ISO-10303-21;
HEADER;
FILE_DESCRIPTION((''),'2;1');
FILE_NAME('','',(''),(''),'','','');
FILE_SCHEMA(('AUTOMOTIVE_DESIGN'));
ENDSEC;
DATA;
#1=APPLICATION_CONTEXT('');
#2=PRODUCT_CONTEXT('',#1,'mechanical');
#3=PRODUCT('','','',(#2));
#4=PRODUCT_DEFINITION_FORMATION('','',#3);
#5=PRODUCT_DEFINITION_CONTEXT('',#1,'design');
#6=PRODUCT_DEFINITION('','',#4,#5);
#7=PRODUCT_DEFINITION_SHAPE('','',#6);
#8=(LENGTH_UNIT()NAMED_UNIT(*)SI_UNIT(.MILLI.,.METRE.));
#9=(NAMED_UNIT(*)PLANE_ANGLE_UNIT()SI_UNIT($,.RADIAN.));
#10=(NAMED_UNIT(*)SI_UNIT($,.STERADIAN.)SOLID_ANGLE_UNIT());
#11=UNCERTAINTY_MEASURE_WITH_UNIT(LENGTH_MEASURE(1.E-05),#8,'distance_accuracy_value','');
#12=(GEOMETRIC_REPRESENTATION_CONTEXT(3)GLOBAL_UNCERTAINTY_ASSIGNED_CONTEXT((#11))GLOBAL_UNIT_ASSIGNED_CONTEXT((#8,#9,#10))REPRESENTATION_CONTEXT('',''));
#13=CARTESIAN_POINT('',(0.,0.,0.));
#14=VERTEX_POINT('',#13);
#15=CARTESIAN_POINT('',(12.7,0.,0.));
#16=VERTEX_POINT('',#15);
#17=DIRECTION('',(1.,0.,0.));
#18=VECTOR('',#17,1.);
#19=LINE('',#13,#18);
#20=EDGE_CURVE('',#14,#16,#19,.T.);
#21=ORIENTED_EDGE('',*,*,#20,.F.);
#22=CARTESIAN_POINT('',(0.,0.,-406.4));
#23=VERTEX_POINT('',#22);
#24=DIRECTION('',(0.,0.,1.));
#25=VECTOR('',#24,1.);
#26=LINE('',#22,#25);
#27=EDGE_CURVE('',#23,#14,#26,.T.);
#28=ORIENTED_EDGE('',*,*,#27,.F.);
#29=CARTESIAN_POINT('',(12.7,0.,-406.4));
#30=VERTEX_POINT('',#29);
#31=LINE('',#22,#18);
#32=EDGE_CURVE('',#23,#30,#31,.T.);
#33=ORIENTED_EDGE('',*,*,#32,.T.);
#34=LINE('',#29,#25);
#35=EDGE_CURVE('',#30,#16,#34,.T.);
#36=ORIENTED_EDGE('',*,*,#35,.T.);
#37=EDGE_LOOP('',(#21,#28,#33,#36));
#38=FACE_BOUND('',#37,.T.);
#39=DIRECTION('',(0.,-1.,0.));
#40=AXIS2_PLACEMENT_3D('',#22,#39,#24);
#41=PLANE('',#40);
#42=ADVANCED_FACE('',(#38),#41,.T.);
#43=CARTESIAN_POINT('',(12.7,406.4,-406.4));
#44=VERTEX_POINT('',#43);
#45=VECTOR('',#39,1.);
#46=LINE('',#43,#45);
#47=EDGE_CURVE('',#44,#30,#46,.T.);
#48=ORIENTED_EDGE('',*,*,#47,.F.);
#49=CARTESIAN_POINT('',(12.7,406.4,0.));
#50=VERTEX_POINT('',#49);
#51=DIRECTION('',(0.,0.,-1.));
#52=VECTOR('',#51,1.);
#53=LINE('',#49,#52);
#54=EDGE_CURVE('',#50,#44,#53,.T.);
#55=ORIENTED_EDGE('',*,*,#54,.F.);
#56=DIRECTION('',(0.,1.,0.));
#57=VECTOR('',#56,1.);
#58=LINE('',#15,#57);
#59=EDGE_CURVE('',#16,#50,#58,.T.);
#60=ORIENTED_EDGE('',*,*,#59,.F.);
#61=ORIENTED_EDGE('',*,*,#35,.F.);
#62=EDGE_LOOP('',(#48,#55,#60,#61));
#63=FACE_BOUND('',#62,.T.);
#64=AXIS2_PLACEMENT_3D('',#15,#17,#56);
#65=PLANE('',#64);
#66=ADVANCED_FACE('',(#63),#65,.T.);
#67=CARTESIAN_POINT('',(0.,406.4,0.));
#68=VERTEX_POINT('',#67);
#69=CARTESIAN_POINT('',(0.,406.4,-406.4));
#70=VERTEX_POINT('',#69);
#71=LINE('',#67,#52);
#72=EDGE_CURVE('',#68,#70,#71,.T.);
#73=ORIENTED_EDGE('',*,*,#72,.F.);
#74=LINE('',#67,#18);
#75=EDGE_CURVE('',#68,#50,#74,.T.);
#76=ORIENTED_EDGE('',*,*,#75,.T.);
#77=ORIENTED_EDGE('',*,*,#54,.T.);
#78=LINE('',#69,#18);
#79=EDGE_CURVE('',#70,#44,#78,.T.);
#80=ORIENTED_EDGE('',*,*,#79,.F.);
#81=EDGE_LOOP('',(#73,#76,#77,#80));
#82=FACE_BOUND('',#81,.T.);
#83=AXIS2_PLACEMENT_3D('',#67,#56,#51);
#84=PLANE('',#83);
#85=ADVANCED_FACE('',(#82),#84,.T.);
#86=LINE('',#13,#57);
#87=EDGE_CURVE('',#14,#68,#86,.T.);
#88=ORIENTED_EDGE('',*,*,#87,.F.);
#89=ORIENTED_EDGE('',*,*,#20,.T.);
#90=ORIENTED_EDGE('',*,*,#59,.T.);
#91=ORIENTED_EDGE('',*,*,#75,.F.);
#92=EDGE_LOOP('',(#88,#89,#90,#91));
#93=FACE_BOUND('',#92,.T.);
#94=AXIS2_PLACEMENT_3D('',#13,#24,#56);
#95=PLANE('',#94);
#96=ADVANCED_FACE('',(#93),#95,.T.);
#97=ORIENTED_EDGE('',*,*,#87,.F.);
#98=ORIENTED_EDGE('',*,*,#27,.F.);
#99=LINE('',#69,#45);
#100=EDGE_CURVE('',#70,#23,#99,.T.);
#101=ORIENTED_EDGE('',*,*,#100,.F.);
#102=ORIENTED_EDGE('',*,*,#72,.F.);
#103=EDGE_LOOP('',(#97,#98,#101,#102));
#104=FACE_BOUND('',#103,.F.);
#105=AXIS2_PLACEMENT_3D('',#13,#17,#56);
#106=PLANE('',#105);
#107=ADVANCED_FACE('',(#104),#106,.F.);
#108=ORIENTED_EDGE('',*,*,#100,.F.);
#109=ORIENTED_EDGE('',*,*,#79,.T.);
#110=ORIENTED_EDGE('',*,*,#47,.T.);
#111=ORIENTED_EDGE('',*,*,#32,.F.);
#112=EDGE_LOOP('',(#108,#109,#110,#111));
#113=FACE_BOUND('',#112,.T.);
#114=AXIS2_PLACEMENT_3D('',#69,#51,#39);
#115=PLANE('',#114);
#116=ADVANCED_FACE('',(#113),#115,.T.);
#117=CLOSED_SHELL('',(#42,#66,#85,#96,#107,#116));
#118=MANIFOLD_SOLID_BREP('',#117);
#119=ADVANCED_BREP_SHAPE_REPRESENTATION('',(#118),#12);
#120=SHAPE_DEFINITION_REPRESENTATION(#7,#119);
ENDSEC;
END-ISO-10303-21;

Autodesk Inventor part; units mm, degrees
ref_plane "YZ Plane" through (0, 0, 0) normal (1, 0, 0) x (0, 1, 0)
ref_plane "XZ Plane" through (0, 0, 0) normal (0, 1, 0) x (-1, 0, 0)
ref_plane "XY Plane" through (0, 0, 0) normal (0, 0, 1) x (1, 0, 0)
sketch "Sketch1" plane through (0, 0, 0) normal (1, 0, 0) x (0, 1, 0)
  line L0 (0, 0) -> (406.4, 0)
  line L1 (406.4, 0) -> (406.4, -406.4)
  line L2 (406.4, -406.4) -> (0, -406.4)
  line L3 (0, -406.4) -> (0, 0)
  dimension "d0" = 406.4
  dimension "d1" = 406.4
extrude "Extrusion1" add sketch "Sketch1" along normal blind 12.7
properties part number "Prototype box"
